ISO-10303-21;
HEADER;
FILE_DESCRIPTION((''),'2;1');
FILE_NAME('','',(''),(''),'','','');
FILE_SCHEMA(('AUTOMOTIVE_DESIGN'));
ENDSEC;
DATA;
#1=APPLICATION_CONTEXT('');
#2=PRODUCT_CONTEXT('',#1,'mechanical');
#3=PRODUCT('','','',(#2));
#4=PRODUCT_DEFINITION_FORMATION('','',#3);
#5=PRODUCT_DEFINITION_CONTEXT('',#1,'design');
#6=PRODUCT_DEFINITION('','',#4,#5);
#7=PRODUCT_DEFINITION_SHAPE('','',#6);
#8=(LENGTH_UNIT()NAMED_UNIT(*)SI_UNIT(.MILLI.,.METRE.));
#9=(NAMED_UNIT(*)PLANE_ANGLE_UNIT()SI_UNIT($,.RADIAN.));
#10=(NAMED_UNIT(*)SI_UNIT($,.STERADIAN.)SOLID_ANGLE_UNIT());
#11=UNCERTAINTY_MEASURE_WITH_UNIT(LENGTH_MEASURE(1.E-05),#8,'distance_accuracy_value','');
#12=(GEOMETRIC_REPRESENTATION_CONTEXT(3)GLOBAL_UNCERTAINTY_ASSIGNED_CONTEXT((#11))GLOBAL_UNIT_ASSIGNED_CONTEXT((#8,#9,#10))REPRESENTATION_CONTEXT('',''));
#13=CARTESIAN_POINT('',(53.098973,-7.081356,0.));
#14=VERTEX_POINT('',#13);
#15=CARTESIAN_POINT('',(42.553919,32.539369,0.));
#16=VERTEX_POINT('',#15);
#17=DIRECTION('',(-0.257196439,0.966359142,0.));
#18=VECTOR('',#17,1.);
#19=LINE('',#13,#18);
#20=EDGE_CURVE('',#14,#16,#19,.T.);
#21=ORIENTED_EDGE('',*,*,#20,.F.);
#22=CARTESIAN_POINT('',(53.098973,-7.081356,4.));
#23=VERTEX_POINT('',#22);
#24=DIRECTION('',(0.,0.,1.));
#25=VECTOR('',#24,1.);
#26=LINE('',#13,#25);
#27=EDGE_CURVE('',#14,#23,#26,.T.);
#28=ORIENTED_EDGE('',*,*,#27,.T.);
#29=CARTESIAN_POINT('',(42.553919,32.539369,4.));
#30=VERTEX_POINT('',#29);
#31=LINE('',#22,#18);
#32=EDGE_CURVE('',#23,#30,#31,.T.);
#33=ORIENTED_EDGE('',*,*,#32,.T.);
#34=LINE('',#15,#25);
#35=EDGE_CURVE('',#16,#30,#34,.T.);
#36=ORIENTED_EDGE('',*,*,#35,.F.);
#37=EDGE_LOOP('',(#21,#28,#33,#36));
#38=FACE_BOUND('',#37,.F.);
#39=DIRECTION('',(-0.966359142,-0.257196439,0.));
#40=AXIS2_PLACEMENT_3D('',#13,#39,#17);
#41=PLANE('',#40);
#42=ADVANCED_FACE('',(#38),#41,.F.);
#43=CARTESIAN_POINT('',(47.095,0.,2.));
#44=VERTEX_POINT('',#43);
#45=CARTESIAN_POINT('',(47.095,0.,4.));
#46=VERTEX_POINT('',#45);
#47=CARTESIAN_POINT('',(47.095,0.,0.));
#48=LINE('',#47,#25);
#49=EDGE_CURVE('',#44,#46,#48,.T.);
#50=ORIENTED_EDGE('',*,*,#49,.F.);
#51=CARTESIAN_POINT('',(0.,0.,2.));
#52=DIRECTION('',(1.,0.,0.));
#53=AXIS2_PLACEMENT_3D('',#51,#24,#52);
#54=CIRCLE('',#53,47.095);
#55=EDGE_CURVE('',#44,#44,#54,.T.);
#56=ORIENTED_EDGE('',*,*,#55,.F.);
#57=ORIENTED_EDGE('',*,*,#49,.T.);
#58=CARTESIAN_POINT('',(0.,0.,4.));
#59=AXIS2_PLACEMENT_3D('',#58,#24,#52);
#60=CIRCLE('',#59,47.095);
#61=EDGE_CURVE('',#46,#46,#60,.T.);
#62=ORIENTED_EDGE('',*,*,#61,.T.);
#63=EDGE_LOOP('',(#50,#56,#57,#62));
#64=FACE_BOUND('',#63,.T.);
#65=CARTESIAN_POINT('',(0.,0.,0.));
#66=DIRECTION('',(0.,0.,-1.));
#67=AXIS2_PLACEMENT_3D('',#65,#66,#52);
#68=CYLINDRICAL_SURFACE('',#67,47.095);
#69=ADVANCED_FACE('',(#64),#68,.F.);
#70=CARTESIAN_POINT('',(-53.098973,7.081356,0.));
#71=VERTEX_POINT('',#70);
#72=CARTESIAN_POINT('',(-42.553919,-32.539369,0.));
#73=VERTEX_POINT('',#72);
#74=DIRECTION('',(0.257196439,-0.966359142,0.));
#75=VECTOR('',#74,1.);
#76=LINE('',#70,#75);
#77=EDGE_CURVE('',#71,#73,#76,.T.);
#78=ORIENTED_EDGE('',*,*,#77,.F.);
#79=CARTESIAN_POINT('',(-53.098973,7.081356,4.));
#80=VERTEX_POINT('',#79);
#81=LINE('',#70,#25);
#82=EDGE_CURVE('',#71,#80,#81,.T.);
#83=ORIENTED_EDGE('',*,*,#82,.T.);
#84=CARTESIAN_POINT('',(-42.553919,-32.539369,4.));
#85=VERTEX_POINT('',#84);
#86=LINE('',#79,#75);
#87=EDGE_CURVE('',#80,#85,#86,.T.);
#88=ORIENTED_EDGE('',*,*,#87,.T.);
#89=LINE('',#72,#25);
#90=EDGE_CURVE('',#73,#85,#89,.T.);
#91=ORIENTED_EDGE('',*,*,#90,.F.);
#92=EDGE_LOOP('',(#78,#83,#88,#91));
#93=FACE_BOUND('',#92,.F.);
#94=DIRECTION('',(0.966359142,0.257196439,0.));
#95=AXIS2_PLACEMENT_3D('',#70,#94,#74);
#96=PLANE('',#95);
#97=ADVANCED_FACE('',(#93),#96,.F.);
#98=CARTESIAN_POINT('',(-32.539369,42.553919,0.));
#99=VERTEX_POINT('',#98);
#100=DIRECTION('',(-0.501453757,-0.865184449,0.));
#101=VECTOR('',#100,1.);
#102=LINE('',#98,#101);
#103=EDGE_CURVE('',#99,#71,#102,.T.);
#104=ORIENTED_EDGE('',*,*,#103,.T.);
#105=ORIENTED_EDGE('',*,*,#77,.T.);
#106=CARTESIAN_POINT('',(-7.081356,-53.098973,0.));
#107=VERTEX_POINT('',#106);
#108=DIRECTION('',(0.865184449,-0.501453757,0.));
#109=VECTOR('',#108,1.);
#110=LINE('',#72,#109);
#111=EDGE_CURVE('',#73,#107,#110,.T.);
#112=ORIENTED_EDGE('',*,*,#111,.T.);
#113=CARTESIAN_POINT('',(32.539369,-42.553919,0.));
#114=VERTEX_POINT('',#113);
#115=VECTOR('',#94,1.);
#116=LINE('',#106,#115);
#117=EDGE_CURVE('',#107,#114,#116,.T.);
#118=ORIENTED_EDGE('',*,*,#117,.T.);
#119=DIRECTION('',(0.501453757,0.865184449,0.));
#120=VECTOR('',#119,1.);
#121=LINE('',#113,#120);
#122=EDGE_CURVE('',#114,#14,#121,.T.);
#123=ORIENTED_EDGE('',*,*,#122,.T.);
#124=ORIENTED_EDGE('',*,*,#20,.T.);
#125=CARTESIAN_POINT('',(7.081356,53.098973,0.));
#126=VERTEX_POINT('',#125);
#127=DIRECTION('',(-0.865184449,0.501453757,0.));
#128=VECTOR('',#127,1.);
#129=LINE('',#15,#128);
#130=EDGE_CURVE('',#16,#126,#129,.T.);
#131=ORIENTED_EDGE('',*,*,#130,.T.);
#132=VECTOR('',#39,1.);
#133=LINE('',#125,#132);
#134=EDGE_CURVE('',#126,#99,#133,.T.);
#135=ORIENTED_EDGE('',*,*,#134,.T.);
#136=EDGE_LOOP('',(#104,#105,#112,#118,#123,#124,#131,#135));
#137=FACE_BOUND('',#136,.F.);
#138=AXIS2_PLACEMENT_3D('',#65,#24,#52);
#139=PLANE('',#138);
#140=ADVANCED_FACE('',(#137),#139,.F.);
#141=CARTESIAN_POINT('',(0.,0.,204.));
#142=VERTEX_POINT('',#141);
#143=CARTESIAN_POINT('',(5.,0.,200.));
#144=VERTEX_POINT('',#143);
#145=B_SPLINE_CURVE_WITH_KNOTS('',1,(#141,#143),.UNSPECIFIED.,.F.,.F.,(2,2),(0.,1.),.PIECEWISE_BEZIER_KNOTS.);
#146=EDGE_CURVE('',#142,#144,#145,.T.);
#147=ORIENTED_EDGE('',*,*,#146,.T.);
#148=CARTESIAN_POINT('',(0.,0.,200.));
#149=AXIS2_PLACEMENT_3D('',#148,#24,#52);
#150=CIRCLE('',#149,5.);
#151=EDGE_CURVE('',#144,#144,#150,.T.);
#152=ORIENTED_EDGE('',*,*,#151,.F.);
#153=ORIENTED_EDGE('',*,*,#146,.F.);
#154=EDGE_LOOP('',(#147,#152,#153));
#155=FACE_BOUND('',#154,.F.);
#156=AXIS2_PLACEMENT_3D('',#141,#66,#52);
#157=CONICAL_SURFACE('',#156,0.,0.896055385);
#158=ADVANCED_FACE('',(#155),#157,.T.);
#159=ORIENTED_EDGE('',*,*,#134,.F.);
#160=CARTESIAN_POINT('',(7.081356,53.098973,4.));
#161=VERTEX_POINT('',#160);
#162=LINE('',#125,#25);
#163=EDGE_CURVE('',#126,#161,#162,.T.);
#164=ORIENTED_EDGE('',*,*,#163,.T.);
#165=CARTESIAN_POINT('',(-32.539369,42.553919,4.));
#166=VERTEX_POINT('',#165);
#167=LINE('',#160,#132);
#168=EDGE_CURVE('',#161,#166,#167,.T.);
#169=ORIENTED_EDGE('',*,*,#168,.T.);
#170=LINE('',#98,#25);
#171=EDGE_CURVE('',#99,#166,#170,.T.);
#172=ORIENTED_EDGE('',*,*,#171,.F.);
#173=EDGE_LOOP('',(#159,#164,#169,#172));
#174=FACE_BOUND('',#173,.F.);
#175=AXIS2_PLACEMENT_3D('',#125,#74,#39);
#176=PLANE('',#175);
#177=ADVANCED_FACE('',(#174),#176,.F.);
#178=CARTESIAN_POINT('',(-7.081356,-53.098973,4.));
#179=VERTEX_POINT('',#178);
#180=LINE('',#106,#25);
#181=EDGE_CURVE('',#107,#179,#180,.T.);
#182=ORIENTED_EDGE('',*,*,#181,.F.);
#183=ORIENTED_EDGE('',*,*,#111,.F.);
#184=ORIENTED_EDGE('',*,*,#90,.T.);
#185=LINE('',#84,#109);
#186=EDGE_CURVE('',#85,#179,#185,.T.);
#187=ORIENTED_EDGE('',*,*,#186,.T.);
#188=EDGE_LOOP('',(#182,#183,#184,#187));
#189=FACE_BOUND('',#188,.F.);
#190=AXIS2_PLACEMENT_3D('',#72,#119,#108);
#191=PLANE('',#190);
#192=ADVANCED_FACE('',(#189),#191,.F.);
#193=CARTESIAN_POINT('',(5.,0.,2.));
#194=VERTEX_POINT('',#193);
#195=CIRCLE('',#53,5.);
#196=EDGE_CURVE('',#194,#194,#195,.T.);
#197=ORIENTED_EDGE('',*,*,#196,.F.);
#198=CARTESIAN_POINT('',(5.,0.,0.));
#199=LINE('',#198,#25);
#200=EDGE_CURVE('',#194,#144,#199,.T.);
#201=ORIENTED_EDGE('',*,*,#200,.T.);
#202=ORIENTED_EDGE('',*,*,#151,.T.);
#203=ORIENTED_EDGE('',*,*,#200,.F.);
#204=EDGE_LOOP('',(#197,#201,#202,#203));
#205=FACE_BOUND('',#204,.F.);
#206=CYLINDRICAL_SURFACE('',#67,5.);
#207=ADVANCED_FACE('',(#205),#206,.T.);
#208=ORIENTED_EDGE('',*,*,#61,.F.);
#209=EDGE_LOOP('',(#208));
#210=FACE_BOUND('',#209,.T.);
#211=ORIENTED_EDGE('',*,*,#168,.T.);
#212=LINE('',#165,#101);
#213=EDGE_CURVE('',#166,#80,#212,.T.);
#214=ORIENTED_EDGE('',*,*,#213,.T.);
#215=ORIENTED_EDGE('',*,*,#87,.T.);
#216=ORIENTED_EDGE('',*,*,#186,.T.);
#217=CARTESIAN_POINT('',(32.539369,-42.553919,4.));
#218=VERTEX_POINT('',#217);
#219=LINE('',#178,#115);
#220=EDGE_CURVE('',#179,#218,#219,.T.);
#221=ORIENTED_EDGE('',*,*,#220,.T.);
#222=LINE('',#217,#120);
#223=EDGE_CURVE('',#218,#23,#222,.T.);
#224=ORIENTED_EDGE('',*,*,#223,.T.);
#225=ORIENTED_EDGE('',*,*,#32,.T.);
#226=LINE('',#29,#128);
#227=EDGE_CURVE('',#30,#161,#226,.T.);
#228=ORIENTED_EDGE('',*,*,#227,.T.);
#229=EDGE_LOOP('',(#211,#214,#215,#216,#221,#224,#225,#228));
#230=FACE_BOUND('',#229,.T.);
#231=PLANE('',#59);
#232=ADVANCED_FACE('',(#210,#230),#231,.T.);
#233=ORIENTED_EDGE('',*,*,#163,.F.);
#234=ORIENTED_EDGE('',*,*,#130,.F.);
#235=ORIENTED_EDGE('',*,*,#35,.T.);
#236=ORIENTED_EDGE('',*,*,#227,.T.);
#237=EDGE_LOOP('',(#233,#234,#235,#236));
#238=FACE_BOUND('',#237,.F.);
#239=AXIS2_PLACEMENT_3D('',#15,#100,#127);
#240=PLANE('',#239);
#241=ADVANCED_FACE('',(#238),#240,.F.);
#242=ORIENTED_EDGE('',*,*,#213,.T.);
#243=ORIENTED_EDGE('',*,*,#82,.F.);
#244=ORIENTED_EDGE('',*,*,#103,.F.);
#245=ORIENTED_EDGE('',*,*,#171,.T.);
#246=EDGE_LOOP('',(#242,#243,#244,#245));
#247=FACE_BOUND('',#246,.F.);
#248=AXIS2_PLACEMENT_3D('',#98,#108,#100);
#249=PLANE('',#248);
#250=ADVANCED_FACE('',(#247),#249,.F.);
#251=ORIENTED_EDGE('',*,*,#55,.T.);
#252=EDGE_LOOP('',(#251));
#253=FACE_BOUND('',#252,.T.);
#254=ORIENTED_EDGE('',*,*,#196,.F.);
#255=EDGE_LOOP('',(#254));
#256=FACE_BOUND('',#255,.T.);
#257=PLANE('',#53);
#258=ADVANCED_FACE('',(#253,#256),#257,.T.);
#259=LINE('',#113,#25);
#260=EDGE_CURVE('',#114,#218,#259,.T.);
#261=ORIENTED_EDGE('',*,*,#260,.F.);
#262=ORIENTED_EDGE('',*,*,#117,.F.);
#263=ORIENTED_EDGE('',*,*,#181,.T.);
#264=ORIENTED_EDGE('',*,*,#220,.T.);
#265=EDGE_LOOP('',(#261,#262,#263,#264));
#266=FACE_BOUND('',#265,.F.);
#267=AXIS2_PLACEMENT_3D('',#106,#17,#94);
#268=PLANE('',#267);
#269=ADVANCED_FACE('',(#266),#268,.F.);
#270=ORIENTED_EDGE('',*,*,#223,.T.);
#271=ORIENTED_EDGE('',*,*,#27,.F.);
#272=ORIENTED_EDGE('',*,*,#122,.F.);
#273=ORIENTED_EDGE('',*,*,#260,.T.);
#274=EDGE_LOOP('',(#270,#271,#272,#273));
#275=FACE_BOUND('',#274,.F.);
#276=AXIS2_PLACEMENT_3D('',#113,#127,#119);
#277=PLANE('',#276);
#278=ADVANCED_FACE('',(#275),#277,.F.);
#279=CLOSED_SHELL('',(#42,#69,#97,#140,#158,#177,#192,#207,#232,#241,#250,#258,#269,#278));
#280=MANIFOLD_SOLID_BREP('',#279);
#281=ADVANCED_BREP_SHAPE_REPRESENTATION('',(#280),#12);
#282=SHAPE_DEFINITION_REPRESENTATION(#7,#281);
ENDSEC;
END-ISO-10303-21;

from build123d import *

# Parameters (mm, degrees)
F0_R      = 5
F1_DEPTH  = 200
F0_R_2    = 47.095
F2_DEPTH  = 2
F3_DEPTH  = 4
F1_FACE_R = 5


with BuildPart() as f1:
    # F0 (on Top) → F1 (new body)
    with BuildSketch(Plane.XY):
        Circle(F0_R)
    extrude(amount=F1_DEPTH)

    # F0 (on Top) → F2 (join)
    with BuildSketch(Plane.XY):
        Circle(F0_R_2)
        Circle(F0_R, mode=Mode.SUBTRACT)
    extrude(amount=F2_DEPTH)

    # F0 (on Top) → F3 (join)
    with BuildSketch(Plane.XY):
        Polygon((-32.5393686004, 42.5539186241), (-53.098972618, 7.0813562323), (-42.5539186241, -32.5393686004), (-7.0813562323, -53.098972618), (32.5393686004, -42.5539186241), (53.098972618, -7.0813562323), (42.5539186241, 32.5393686004), (7.0813562323, 53.098972618), align=None)
        Circle(F0_R_2, mode=Mode.SUBTRACT)
    extrude(amount=F3_DEPTH)

    # F1_face (on face) → F6 section 0
    with BuildSketch(Plane.XY.offset(200), mode=Mode.PRIVATE) as f6_s0:
        Circle(F1_FACE_R)
    loft([Vertex(0, 0, 204), f6_s0.sketch])


solid = f1.part
